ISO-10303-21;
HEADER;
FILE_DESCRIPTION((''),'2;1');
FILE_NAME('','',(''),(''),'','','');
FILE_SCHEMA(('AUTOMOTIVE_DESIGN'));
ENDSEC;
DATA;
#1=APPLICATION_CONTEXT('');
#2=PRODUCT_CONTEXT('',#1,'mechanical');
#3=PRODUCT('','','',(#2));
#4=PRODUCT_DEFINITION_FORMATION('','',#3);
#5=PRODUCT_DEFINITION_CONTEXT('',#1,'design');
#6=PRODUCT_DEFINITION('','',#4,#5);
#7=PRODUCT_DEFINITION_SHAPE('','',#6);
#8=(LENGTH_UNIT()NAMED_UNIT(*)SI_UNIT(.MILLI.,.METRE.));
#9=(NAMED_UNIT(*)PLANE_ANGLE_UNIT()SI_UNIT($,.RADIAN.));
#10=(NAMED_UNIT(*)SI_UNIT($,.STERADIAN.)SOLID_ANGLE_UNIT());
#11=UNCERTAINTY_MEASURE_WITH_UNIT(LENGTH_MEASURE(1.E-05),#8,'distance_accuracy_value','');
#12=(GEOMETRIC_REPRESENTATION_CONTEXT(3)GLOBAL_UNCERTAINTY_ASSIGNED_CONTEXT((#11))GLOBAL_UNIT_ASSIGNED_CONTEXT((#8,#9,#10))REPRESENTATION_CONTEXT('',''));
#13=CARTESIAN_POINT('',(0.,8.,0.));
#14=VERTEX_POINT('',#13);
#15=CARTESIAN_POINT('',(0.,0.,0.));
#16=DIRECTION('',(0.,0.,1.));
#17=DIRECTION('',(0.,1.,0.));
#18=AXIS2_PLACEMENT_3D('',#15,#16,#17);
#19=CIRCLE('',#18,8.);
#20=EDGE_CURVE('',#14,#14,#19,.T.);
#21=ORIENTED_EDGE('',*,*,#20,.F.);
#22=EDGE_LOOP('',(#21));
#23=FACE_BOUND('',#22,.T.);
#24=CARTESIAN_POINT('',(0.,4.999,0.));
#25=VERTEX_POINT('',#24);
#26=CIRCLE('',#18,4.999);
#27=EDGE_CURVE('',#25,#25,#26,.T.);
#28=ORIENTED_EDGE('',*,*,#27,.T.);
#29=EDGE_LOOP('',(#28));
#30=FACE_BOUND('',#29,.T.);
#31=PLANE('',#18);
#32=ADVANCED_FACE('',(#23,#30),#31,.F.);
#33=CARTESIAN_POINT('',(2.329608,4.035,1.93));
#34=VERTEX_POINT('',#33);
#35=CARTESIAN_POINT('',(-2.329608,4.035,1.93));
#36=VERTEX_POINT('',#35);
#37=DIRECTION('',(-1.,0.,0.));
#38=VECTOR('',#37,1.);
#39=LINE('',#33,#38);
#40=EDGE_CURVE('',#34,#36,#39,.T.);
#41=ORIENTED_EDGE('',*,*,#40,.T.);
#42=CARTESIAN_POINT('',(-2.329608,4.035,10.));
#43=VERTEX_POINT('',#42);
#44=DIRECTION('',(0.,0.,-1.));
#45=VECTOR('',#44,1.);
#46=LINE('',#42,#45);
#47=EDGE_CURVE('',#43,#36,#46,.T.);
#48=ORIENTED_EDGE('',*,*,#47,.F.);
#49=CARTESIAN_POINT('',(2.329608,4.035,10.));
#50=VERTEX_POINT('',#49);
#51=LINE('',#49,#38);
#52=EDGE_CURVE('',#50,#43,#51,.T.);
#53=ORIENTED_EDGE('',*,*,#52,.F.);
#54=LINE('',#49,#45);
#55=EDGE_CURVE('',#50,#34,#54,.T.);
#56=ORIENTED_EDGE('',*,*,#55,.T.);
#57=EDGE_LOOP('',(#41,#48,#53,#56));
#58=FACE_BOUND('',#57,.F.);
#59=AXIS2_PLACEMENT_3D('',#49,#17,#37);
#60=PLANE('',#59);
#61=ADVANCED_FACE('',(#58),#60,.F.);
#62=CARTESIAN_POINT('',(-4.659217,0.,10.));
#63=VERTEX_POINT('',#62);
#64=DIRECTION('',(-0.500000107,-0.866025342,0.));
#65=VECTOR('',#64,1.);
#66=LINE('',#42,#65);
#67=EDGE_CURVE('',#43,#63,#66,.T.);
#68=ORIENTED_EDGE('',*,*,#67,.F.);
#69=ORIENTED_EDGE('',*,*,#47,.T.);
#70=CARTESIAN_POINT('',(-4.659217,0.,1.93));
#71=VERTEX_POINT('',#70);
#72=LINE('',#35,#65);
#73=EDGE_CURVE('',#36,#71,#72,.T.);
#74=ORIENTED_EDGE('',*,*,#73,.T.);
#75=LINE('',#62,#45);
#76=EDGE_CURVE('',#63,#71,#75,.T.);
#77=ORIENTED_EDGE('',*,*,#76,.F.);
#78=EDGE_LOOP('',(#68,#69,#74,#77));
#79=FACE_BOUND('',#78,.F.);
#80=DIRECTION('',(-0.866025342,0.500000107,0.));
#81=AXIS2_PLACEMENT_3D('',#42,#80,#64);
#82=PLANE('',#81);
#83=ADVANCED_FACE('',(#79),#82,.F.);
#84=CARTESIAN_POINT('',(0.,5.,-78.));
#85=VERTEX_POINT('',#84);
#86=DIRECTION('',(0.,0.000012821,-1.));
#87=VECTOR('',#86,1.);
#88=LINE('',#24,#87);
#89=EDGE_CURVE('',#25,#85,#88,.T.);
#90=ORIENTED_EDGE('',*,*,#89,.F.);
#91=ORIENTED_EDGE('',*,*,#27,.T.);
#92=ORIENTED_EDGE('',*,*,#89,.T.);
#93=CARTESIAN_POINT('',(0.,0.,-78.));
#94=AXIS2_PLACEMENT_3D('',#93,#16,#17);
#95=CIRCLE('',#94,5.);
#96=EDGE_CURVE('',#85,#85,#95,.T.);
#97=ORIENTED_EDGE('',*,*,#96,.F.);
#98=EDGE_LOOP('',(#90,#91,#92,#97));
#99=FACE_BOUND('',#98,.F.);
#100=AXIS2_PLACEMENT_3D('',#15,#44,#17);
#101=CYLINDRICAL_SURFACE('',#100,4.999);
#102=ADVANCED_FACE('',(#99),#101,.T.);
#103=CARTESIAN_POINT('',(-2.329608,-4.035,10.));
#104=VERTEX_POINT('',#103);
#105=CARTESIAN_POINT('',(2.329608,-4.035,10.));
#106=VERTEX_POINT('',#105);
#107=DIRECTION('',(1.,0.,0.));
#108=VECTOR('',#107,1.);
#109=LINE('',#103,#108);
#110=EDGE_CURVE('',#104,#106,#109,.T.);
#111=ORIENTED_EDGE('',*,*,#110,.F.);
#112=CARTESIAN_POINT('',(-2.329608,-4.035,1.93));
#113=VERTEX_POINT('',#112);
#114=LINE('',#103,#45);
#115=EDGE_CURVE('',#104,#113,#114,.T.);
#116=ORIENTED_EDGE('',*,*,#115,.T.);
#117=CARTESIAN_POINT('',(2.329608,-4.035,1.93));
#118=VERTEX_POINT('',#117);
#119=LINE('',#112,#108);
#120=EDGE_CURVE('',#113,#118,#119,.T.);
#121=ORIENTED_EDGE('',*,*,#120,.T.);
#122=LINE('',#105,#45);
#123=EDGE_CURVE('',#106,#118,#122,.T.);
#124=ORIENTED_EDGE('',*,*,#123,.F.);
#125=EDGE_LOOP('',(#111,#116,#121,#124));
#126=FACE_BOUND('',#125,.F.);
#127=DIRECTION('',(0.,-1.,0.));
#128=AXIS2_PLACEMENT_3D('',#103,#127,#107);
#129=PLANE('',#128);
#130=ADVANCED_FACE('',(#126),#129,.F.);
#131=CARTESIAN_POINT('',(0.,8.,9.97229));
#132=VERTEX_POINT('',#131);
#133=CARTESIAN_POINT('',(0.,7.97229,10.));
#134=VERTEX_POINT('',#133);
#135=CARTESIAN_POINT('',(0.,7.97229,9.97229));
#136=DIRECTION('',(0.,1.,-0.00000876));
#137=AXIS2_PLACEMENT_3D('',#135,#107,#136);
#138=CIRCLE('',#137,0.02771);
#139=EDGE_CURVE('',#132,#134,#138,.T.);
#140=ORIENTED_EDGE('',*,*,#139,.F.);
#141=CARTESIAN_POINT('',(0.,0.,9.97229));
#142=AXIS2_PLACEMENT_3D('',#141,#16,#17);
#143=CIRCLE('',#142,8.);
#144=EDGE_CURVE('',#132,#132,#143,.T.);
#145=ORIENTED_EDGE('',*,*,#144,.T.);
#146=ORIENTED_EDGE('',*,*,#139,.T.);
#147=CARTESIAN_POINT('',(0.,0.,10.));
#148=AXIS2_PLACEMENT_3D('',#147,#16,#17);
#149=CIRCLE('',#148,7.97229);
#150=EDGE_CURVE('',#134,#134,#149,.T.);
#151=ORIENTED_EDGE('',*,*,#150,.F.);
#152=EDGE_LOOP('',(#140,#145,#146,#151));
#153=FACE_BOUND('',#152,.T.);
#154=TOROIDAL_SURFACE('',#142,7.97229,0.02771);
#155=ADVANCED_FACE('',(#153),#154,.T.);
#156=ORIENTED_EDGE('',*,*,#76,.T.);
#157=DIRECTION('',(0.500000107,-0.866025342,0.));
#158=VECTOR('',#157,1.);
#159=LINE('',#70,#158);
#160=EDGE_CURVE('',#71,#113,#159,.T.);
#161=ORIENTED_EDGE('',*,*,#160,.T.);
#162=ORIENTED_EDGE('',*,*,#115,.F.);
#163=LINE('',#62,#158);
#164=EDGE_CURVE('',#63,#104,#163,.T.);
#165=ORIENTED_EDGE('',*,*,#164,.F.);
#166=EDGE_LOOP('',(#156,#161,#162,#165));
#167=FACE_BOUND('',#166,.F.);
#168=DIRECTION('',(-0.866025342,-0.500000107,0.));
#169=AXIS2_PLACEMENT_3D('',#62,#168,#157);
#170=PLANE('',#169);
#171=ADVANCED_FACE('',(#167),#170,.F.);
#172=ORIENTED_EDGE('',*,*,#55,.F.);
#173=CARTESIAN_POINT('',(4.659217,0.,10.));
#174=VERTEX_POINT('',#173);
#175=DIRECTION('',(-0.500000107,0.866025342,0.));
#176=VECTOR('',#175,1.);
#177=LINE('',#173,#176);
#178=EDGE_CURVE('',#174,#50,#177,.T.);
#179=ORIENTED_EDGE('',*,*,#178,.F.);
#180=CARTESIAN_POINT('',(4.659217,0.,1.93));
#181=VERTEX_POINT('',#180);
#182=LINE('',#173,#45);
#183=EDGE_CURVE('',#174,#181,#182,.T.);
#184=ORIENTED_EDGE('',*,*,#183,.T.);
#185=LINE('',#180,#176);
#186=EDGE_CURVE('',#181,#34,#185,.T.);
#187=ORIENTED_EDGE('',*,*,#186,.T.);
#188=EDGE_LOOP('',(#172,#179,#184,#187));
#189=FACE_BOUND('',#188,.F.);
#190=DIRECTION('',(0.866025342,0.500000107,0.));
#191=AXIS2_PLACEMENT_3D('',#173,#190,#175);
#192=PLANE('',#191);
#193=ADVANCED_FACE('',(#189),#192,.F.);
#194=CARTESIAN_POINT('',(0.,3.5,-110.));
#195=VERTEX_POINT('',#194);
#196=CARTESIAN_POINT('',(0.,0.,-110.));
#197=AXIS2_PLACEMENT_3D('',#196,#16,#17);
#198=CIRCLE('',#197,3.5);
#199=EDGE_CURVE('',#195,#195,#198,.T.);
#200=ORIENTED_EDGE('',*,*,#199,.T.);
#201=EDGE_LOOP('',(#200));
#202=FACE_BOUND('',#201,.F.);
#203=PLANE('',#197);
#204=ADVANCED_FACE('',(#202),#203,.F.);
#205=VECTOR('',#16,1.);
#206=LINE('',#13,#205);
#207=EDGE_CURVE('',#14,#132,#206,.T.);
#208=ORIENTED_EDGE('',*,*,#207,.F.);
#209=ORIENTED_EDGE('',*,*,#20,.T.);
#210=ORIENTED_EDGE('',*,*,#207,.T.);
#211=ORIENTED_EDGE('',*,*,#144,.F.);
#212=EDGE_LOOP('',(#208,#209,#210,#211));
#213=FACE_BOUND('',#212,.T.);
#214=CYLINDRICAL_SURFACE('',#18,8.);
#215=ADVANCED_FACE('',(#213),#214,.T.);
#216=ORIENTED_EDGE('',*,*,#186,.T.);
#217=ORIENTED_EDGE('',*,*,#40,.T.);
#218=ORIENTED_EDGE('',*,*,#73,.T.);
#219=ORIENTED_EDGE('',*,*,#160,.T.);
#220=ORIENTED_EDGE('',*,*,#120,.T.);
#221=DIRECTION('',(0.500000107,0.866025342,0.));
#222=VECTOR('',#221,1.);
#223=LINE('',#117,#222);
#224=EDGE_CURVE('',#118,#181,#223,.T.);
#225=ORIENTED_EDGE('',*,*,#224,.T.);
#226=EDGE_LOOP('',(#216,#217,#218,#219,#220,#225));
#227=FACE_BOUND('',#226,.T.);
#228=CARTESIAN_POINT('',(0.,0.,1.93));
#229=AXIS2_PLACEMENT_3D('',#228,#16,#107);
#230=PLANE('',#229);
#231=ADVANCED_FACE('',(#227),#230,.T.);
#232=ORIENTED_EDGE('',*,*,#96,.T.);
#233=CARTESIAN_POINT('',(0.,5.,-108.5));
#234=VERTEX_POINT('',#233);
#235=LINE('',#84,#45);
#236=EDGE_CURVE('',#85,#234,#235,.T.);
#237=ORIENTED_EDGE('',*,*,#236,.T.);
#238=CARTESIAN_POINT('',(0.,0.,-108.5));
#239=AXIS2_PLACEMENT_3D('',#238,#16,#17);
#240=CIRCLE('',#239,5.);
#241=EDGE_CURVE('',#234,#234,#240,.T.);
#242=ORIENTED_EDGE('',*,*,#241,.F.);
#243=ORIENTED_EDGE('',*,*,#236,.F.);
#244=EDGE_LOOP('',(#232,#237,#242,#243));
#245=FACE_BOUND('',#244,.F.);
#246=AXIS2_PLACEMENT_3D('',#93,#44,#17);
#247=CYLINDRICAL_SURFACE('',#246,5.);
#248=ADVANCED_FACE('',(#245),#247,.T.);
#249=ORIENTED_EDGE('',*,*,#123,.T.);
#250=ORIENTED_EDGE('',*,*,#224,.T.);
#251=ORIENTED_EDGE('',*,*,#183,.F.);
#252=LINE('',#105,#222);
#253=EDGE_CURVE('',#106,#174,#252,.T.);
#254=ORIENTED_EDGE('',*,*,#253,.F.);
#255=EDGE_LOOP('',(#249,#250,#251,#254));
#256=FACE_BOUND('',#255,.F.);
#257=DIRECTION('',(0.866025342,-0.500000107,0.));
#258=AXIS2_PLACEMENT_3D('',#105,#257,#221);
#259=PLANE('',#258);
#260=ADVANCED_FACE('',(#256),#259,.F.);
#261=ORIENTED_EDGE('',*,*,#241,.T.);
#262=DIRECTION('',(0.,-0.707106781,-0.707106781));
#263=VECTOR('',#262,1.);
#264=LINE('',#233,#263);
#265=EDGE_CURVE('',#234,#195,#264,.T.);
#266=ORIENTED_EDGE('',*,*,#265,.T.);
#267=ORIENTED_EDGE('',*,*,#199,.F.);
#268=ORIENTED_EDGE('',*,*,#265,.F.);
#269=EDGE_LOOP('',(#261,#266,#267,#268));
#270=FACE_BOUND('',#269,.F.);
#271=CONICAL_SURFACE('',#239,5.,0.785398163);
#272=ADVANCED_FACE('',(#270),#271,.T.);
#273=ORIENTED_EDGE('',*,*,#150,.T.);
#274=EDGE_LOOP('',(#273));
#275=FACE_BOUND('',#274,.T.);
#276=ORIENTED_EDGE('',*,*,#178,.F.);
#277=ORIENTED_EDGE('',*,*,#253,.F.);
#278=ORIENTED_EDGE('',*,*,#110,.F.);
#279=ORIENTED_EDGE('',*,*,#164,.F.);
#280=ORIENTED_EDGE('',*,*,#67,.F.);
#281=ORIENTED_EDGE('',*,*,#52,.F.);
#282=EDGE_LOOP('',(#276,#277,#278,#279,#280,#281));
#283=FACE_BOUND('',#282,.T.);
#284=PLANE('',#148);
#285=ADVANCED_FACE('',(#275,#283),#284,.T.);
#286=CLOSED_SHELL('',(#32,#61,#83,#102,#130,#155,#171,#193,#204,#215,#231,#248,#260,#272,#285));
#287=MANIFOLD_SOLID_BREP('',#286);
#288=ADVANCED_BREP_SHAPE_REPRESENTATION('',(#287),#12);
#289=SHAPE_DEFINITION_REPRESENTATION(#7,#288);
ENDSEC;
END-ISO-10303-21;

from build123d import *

# Parameters (mm, degrees)
POCKET_DEPTH = 8.07


with BuildPart() as part:
    # Sketch → Revolve (revolve)
    with BuildSketch(Plane.YZ):
        with BuildLine():
            Line((4.999, 0), (8, 0))
            Line((8, 0), (8, 9.97229))
            ThreePointArc((8, 9.97229), (7.991884, 9.991884), (7.97229, 10))
            Line((7.97229, 10), (0, 10))
            Line((0, -110), (0, 10))
            Line((3.5, -110), (0, -110))
            Line((5, -108.5), (3.5, -110))
            Line((5, -78), (5, -108.5))
            Line((4.999, 0), (5, -78))
        make_face()
    revolve(axis=Axis((0, 0, 0), (0, 0, 1)))

    # Sketch001 → Pocket (cut)
    with BuildSketch(Plane.XY.offset(10)):
        Polygon((4.659217, 0), (2.329608, 4.035), (-2.329608, 4.035), (-4.659217, 0), (-2.329608, -4.035), (2.329608, -4.035), align=None)
    extrude(amount=-POCKET_DEPTH, mode=Mode.SUBTRACT)


solid = part.part
